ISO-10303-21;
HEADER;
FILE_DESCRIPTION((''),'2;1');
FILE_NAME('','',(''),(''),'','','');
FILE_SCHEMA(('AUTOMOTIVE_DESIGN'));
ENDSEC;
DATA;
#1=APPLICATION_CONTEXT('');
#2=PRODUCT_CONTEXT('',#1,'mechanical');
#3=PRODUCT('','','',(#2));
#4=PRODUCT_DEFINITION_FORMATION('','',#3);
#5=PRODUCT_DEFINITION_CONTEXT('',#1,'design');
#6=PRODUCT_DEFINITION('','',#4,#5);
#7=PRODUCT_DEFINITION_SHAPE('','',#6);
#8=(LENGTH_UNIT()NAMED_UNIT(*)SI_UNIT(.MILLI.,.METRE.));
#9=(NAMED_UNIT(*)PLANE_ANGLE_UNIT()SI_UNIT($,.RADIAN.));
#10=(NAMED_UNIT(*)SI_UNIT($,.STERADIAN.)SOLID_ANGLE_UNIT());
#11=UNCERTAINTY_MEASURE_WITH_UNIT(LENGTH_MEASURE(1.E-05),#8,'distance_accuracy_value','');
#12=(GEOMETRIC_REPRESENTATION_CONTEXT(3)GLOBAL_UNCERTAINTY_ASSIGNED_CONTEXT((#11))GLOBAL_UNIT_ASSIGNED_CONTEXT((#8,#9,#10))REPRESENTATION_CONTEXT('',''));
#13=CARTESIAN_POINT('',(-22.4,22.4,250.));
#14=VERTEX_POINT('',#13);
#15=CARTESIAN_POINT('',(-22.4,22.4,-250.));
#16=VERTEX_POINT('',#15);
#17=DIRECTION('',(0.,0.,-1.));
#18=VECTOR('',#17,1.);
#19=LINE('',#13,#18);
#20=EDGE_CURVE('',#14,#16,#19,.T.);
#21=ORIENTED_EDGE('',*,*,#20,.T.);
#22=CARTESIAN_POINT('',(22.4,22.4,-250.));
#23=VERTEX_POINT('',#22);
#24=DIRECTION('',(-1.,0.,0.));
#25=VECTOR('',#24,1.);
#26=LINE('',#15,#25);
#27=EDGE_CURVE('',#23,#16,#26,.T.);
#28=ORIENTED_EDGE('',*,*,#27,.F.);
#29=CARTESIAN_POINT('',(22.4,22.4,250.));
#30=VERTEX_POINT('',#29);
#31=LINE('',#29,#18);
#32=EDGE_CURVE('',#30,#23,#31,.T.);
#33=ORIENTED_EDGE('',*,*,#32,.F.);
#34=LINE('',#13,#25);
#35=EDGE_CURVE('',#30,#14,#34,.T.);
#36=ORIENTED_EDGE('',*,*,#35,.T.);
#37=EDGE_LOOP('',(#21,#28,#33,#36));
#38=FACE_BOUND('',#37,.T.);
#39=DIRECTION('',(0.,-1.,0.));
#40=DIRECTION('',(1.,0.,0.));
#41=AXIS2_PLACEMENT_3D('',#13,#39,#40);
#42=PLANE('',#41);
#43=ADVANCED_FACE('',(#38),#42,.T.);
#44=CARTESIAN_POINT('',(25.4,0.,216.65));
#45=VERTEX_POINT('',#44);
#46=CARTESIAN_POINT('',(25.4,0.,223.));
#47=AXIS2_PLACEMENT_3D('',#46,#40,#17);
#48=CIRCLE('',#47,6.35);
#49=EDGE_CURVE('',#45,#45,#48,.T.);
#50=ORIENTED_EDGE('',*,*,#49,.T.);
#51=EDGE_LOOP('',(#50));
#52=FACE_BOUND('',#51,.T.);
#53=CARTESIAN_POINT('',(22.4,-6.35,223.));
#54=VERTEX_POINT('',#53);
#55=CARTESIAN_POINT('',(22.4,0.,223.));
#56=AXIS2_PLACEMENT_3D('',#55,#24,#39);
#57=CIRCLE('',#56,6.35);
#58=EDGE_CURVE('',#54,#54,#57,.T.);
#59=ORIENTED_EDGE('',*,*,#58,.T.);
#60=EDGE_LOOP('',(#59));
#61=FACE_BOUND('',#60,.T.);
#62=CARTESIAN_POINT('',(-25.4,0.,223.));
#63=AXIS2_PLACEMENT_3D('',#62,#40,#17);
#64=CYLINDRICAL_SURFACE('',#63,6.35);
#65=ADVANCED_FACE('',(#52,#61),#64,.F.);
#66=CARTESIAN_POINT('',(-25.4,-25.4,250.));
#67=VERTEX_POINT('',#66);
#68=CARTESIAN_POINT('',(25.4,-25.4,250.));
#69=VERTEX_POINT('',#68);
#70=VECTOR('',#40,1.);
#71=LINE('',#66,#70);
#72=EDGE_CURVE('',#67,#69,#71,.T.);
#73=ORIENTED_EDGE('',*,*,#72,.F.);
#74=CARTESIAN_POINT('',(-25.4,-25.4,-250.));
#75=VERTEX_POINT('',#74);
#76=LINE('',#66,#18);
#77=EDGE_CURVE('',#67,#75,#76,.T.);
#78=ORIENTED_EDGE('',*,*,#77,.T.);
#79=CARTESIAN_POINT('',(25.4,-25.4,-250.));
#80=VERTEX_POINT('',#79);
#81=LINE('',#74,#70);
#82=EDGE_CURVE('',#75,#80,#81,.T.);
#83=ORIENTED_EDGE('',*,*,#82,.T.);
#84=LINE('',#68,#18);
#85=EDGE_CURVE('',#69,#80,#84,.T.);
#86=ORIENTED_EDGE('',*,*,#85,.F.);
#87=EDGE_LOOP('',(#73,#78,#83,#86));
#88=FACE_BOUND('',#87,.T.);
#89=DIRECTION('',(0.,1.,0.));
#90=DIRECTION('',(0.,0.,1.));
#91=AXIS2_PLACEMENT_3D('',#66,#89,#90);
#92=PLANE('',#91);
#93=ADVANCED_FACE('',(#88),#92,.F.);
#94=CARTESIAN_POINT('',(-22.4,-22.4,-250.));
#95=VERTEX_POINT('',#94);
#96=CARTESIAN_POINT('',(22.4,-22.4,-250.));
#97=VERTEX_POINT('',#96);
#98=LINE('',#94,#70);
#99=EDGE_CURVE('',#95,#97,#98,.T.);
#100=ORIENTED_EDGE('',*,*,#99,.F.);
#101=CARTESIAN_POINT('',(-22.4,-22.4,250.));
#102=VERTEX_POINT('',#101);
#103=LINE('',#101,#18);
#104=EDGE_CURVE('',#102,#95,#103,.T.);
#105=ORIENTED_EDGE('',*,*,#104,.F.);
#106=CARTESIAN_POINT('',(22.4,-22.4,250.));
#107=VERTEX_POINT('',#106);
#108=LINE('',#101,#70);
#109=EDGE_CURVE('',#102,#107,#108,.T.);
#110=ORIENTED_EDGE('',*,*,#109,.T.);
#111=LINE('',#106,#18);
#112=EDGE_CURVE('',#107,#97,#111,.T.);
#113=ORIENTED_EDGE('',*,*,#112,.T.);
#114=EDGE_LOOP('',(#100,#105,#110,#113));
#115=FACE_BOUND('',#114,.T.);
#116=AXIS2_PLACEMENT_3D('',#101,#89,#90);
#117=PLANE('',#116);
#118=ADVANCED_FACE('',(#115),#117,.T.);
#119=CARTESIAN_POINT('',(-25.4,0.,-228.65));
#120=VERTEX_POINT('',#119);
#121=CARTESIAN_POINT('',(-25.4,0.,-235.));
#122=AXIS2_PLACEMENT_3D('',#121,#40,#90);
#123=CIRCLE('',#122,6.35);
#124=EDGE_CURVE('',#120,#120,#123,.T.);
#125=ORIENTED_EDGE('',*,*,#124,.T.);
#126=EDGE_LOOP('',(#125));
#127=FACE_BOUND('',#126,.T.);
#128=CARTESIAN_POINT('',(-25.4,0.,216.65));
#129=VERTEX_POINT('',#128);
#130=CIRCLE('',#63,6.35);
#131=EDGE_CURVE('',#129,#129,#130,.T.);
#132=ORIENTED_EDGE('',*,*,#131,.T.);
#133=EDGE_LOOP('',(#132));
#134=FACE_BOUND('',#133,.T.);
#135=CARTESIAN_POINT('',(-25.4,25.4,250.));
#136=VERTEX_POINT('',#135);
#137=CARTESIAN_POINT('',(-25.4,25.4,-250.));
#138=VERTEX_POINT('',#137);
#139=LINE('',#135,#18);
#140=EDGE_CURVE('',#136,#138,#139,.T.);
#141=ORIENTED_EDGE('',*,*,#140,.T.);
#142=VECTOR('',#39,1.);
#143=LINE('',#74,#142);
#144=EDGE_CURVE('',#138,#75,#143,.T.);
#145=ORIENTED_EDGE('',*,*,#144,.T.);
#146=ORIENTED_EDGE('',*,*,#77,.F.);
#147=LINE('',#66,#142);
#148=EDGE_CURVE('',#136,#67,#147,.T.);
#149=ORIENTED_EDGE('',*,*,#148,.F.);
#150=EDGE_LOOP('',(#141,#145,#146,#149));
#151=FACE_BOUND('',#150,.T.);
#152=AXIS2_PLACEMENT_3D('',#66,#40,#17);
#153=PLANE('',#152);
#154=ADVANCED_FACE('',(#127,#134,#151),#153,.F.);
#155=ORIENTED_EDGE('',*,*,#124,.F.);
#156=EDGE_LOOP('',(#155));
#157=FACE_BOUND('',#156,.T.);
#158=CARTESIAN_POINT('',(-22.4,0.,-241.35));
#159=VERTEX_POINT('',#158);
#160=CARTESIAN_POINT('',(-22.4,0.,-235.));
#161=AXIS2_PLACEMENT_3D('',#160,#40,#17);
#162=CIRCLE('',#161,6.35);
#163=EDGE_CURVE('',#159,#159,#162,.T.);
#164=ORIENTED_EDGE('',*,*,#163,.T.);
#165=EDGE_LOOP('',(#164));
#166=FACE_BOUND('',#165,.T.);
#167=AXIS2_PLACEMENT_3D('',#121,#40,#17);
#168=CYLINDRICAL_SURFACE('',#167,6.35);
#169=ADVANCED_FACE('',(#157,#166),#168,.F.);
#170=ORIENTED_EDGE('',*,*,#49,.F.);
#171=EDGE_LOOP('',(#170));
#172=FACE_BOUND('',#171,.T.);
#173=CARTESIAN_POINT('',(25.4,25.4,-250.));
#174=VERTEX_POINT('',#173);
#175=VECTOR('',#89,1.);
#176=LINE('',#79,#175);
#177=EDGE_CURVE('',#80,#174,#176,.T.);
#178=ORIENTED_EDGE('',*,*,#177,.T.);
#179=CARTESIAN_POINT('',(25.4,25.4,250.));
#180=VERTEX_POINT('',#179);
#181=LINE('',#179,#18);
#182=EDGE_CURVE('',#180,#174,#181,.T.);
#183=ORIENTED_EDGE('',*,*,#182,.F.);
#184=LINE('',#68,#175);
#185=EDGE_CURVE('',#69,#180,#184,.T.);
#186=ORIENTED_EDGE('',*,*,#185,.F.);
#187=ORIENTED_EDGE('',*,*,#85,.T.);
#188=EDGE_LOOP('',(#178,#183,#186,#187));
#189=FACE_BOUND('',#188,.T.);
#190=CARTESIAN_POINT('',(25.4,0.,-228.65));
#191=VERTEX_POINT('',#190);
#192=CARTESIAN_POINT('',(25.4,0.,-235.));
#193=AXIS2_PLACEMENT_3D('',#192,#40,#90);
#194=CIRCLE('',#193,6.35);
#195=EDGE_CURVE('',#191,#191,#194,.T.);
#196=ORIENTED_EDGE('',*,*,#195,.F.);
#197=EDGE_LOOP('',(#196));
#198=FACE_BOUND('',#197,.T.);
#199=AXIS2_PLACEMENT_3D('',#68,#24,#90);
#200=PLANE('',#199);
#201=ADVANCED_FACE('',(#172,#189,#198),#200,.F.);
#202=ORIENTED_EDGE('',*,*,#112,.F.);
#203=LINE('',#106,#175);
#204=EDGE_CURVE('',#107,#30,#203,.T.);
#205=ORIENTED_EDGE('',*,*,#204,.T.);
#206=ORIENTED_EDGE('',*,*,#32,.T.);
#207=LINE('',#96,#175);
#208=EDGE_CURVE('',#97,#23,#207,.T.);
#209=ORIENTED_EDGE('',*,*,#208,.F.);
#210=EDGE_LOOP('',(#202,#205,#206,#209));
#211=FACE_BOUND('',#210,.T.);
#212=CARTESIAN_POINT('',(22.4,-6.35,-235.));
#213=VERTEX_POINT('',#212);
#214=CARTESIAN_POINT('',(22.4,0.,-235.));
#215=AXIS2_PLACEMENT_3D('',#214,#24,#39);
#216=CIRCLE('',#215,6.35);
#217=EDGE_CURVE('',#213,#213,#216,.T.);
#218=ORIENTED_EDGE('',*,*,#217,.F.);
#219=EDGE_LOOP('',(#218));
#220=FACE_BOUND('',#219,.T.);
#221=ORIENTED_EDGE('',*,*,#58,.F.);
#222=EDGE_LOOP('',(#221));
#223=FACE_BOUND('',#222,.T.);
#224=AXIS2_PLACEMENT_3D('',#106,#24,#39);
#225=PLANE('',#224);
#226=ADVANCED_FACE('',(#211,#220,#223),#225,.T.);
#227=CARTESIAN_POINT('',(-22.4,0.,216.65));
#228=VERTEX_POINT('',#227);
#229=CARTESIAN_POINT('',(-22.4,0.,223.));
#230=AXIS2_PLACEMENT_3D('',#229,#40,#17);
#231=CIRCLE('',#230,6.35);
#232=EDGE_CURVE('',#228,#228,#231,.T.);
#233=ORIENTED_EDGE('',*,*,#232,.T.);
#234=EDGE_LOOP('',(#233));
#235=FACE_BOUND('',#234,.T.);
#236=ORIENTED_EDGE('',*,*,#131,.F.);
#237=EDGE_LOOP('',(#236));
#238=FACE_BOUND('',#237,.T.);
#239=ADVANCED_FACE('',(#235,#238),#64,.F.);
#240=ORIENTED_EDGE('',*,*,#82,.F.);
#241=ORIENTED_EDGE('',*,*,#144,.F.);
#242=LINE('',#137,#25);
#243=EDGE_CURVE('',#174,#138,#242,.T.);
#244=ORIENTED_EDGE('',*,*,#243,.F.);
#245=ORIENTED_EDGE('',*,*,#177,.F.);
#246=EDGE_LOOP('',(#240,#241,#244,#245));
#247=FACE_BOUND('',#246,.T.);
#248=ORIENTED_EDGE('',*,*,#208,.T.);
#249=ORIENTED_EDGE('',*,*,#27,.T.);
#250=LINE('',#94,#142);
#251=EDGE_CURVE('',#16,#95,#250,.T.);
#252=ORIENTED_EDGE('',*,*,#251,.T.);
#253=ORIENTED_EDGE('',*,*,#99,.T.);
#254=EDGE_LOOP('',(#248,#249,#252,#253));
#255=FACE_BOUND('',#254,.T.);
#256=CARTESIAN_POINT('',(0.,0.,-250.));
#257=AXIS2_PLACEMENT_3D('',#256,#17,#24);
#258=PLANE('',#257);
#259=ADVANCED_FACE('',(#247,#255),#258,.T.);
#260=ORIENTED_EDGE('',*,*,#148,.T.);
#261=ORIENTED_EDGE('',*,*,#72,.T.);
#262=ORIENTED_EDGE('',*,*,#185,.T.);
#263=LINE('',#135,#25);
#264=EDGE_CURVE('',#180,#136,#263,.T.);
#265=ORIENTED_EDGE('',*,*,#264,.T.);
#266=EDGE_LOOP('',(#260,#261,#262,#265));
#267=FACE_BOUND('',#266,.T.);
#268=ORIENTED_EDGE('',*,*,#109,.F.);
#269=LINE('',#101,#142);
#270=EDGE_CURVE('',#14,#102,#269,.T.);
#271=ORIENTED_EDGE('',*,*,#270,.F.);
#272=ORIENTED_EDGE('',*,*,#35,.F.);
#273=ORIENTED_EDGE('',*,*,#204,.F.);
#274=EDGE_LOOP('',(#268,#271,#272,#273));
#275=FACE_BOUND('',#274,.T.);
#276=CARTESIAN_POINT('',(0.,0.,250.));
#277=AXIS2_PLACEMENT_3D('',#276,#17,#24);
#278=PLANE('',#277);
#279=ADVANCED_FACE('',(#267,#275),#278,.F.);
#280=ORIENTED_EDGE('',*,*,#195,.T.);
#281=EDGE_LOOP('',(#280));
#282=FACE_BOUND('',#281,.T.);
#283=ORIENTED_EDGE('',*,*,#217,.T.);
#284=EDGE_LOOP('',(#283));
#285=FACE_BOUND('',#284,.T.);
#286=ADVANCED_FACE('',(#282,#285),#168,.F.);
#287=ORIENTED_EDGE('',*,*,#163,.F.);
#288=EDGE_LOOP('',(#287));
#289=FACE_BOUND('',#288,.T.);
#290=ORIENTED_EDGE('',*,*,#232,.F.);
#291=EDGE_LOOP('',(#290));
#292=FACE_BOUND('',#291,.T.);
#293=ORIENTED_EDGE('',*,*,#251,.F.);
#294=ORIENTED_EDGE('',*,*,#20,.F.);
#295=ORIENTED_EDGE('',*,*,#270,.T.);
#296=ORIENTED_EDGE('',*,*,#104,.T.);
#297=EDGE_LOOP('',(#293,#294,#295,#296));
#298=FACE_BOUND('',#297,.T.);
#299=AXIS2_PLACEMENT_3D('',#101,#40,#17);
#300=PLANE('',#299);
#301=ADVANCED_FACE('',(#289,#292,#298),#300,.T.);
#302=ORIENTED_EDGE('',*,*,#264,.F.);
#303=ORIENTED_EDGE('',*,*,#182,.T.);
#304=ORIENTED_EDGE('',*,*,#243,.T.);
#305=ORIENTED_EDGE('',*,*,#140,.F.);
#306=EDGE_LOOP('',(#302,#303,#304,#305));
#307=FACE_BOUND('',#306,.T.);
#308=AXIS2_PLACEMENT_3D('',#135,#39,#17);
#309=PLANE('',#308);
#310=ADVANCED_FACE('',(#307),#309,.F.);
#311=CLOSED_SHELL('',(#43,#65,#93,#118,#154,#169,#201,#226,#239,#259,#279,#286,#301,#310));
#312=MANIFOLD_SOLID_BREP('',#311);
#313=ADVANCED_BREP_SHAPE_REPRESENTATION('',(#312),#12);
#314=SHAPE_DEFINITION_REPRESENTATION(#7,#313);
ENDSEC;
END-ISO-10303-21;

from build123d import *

# Parameters (mm, degrees)
CROQUIS1_W              = 50.8
CROQUIS1_H              = 50.8
CROQUIS1_W_2            = 44.8
CROQUIS1_H_2            = 44.8
SALIENTE_EXTRUIR1_DEPTH = 250
CROQUIS2_R              = 6.35
CORTAR_EXTRUIR1_DEPTH   = 257.370435113


with BuildPart() as part:
    # Croquis1 → Saliente-Extruir1 (new, symmetric)
    with BuildSketch(Plane.XY):
        Rectangle(CROQUIS1_W, CROQUIS1_H)
        Rectangle(CROQUIS1_W_2, CROQUIS1_H_2, mode=Mode.SUBTRACT)
    extrude(amount=SALIENTE_EXTRUIR1_DEPTH, both=True)

    # Croquis2 → Cortar-Extruir1 (cut, through all)
    with BuildSketch(Plane(origin=(25.4, 0, 0), x_dir=(0, 0, -1), z_dir=(1, 0, 0))):
        with Locations((-223, 0)):
            Circle(CROQUIS2_R)
        with Locations(Location((235, 0, 0), (0, 0, 270))):
            Circle(CROQUIS2_R)
    extrude(amount=-CORTAR_EXTRUIR1_DEPTH, mode=Mode.SUBTRACT)


solid = part.part
